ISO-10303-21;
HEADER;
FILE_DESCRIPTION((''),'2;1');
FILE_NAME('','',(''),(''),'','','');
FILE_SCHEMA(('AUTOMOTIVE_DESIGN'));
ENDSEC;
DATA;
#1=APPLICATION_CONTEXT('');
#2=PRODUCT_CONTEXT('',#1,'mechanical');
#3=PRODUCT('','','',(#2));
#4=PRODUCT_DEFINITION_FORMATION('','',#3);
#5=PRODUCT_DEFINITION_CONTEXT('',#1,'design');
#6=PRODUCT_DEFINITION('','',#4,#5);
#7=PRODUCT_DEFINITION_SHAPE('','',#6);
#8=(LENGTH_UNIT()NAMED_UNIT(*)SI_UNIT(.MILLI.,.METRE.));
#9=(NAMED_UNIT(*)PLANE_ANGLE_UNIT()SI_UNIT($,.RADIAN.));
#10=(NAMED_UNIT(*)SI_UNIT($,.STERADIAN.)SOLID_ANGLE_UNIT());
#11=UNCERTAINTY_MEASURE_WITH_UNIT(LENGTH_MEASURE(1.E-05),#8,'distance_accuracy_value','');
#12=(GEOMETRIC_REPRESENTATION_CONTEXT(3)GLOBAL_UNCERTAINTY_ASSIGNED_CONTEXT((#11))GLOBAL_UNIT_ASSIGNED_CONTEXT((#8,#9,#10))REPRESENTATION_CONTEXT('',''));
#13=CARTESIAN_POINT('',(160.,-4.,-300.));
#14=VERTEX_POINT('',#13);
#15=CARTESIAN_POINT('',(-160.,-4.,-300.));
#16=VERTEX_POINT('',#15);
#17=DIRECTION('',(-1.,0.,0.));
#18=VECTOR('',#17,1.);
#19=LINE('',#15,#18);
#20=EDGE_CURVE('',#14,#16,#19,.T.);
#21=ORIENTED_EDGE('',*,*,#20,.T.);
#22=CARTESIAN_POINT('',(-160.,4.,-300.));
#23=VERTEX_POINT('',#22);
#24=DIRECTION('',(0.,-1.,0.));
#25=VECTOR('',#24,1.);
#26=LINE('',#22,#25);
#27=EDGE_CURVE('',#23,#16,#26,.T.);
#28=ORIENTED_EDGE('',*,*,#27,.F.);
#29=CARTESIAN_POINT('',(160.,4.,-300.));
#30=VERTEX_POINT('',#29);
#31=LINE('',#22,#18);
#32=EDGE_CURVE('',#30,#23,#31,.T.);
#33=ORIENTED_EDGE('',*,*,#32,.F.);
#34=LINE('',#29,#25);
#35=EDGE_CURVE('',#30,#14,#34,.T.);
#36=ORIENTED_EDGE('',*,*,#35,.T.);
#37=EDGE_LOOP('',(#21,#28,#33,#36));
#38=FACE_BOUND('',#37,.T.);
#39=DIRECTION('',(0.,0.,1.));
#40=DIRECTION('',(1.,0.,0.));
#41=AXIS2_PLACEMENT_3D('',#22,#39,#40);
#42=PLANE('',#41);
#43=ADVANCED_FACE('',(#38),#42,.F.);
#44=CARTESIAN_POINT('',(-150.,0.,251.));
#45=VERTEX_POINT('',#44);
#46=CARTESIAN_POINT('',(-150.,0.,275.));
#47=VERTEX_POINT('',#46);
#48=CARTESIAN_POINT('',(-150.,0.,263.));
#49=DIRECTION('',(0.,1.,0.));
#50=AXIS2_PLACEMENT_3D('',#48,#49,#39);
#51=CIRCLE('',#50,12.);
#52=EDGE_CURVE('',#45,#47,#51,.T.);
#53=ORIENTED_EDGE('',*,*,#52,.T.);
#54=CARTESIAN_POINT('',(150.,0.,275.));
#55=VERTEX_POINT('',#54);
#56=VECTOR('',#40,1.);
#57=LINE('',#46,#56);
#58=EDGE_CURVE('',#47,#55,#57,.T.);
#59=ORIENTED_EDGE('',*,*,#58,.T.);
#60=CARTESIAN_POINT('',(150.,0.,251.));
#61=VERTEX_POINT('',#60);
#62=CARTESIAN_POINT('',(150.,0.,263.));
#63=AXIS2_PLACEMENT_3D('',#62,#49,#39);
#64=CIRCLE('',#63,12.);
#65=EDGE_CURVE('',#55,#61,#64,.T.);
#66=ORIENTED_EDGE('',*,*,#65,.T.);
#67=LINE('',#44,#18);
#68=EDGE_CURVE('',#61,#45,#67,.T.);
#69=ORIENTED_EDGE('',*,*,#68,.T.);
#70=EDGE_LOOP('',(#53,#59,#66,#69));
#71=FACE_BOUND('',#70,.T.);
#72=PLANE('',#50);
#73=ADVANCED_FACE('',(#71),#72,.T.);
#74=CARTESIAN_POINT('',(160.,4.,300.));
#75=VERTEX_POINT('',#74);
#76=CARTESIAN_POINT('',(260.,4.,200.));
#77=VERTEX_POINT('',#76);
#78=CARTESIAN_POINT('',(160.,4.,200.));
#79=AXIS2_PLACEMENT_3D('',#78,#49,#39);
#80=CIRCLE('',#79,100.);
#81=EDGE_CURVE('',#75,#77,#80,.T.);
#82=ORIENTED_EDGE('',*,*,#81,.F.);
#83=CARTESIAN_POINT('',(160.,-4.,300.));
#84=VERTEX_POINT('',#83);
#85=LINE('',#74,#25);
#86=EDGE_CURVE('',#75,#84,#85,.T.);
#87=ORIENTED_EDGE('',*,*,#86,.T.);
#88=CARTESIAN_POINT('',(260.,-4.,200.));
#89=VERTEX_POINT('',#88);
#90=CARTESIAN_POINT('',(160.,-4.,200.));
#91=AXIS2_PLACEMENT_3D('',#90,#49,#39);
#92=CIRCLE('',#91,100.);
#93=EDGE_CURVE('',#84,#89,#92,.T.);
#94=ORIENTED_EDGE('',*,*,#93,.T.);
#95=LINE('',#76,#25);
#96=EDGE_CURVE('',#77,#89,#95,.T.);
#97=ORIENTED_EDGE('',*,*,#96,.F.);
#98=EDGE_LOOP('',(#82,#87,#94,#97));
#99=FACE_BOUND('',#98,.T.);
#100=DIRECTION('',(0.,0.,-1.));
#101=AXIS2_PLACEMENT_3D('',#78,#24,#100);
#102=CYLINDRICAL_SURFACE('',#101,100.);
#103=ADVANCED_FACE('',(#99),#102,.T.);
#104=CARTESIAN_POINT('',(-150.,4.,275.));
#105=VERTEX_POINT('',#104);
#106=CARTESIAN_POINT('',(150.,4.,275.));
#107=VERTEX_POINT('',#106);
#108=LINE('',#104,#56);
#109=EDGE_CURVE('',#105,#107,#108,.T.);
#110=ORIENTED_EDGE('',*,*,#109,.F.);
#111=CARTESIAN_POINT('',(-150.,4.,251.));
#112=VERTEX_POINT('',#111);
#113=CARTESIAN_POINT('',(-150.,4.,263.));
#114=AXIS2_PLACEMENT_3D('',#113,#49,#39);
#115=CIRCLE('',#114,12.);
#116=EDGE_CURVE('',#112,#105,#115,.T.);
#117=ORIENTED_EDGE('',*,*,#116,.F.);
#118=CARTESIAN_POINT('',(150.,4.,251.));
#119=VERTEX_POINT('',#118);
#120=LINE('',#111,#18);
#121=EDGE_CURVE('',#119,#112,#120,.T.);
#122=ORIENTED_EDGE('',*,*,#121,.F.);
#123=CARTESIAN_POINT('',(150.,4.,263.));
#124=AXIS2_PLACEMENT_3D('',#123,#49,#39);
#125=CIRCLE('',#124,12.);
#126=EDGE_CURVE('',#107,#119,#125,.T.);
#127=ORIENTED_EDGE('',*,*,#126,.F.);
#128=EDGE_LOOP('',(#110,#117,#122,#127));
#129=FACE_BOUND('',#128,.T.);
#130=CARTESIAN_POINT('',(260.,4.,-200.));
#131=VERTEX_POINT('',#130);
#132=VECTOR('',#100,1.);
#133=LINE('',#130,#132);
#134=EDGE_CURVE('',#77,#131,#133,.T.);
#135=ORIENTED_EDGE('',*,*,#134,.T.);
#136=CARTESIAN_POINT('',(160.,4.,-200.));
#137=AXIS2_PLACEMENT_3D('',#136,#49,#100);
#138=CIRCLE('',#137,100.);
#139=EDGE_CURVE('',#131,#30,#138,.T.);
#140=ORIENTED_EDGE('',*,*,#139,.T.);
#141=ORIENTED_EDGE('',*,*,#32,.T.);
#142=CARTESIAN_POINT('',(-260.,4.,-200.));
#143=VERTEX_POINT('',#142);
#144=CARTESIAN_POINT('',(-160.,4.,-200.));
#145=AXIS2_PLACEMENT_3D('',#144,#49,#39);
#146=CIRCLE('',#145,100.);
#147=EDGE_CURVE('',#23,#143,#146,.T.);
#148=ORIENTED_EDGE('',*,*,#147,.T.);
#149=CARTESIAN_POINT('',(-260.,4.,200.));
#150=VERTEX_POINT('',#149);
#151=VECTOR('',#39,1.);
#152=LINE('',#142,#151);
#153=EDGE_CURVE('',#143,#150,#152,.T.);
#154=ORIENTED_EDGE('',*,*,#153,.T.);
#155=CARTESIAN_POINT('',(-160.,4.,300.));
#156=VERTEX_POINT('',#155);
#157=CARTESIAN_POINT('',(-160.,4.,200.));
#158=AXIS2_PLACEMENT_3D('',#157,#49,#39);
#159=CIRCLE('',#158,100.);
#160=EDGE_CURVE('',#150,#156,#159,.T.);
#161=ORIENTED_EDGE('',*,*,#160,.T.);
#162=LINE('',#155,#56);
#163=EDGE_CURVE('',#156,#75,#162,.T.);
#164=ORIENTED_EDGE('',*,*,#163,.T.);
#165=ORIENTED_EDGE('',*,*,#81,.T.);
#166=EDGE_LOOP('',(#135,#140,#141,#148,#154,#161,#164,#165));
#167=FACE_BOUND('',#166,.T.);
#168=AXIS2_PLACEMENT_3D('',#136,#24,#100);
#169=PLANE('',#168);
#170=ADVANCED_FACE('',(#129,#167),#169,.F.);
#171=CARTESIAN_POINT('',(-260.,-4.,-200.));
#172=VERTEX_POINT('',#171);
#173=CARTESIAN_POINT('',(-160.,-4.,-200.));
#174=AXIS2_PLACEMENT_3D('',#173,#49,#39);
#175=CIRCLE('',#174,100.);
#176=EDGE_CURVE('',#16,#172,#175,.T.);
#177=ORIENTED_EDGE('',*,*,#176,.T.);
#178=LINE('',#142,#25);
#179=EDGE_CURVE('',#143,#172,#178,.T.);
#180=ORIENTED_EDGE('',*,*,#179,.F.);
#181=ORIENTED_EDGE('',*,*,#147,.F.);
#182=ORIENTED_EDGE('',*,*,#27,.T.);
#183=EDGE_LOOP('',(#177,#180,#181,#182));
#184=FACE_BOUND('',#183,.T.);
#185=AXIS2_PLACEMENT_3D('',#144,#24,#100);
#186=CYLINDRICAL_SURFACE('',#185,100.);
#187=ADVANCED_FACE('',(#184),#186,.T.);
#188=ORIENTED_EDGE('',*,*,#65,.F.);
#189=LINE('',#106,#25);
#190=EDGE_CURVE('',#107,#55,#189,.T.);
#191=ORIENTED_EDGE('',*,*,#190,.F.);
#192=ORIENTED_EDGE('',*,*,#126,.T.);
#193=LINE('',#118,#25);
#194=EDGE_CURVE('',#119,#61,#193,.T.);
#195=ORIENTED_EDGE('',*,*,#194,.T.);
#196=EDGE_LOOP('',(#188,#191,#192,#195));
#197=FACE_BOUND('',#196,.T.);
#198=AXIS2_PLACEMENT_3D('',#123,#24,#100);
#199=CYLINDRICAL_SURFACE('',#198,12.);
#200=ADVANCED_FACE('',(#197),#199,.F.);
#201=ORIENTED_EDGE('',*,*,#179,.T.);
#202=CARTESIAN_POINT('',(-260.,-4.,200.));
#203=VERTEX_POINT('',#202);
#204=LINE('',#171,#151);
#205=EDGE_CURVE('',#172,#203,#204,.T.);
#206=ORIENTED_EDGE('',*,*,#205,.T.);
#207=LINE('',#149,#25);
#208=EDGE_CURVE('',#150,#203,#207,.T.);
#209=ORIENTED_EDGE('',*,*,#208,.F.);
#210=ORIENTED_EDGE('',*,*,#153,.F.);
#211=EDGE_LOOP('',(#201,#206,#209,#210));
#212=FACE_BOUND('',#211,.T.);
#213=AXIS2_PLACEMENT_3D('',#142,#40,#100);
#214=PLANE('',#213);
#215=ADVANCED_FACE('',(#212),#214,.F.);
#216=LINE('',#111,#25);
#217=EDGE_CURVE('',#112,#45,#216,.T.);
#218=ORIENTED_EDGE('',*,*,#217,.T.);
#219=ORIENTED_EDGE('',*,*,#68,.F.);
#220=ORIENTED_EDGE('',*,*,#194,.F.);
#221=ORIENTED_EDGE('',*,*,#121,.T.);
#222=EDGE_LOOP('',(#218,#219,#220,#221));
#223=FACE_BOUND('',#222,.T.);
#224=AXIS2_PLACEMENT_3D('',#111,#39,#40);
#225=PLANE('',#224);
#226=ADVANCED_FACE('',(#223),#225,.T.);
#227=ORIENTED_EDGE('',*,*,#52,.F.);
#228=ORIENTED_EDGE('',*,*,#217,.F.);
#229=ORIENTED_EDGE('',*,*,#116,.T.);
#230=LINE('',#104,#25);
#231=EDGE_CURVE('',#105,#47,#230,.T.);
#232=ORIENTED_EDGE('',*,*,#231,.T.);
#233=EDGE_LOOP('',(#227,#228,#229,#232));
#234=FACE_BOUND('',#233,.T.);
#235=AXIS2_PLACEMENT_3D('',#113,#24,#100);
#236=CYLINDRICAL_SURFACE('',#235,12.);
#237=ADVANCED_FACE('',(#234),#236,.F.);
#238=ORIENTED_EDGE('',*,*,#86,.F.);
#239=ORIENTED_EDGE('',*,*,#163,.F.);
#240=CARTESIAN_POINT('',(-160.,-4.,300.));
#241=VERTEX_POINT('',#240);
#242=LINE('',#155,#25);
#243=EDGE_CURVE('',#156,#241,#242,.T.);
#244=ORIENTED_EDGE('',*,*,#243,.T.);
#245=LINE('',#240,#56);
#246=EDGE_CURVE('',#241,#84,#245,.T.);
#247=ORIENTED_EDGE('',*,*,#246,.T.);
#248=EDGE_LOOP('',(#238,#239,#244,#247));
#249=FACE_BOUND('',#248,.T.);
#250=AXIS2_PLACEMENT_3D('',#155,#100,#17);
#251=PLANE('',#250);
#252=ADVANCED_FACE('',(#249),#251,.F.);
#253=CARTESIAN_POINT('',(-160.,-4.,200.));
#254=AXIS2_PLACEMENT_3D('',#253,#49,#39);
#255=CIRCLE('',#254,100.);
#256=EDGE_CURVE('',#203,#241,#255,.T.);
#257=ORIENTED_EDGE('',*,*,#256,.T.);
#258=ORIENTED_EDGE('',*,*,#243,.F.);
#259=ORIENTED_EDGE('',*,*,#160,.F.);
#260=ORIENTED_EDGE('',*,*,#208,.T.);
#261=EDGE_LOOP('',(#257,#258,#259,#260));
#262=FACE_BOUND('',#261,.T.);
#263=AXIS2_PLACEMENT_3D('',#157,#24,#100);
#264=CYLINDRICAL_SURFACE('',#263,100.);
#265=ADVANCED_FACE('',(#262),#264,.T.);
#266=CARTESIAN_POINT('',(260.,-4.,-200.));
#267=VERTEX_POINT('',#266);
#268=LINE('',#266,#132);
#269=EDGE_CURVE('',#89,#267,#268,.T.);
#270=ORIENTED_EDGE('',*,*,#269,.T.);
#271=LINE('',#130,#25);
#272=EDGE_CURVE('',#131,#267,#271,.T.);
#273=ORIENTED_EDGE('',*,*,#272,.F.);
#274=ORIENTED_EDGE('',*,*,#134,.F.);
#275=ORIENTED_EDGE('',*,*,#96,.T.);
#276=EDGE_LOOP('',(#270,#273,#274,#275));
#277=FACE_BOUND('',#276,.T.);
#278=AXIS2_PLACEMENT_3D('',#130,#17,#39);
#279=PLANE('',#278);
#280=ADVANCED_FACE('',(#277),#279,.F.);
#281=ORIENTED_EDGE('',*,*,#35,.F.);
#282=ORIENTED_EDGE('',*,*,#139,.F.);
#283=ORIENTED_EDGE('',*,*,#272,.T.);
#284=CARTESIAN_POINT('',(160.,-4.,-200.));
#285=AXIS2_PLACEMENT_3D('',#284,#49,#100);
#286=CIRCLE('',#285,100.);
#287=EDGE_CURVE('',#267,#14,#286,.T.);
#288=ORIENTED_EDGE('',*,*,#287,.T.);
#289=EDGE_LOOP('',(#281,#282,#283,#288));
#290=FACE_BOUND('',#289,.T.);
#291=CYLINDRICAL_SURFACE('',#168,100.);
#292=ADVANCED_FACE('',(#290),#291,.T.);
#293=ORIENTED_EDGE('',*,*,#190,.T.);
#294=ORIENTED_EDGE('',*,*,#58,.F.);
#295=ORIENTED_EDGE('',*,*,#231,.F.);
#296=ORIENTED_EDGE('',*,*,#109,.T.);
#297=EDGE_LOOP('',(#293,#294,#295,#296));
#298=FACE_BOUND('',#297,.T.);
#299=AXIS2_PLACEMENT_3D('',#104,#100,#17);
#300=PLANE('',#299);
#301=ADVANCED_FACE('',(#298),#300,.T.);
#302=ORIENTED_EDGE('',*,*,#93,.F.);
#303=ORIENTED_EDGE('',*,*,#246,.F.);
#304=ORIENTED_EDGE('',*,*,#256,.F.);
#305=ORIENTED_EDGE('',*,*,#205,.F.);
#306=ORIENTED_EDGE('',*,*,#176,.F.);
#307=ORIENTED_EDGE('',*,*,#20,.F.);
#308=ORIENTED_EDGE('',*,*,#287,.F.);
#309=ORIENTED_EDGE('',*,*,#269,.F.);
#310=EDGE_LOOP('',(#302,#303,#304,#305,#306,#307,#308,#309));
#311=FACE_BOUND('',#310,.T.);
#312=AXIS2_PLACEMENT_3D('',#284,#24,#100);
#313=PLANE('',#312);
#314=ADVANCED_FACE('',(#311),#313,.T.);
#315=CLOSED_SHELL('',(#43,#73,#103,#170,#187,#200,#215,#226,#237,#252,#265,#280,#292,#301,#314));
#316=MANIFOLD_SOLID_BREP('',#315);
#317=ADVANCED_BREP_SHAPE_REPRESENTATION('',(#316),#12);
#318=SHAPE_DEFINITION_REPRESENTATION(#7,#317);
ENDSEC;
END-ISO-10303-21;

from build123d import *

# Parameters (mm, degrees)
CHAPAINFERIOR_DEPTH   = 4
CORTE_EXTRUS_O1_DEPTH = 398.008816023


with BuildPart() as part:
    # Chapa inferior → ChapaInferior (new, symmetric)
    with BuildSketch(Plane(origin=(0, 0, 0), x_dir=(1, 0, 0), z_dir=(0, 1, 0))):
        with BuildLine():
            Line((-160, 300), (160, 300))
            ThreePointArc((160, 300), (230.710678119, 270.710678119), (260, 200))
            Line((260, 200), (260, -200))
            ThreePointArc((260, -200), (230.710678119, -270.710678119), (160, -300))
            Line((160, -300), (-160, -300))
            ThreePointArc((-160, -300), (-230.710678119, -270.710678119), (-260, -200))
            Line((-260, -200), (-260, 200))
            ThreePointArc((-260, 200), (-230.710678119, 270.710678119), (-160, 300))
        make_face()
    extrude(amount=CHAPAINFERIOR_DEPTH, both=True)

    # Esboço2 → Corte-extrusão1 (cut, through all)
    with BuildSketch(Plane(origin=(0, 0, 0), x_dir=(1, 0, 0), z_dir=(0, 1, 0))):
        with BuildLine():
            Line((-150, -251), (150, -251))
            ThreePointArc((150, -251), (162, -263), (150, -275))
            Line((150, -275), (-150, -275))
            ThreePointArc((-150, -275), (-162, -263), (-150, -251))
        make_face()
    extrude(amount=CORTE_EXTRUS_O1_DEPTH, mode=Mode.SUBTRACT)


solid = part.part
